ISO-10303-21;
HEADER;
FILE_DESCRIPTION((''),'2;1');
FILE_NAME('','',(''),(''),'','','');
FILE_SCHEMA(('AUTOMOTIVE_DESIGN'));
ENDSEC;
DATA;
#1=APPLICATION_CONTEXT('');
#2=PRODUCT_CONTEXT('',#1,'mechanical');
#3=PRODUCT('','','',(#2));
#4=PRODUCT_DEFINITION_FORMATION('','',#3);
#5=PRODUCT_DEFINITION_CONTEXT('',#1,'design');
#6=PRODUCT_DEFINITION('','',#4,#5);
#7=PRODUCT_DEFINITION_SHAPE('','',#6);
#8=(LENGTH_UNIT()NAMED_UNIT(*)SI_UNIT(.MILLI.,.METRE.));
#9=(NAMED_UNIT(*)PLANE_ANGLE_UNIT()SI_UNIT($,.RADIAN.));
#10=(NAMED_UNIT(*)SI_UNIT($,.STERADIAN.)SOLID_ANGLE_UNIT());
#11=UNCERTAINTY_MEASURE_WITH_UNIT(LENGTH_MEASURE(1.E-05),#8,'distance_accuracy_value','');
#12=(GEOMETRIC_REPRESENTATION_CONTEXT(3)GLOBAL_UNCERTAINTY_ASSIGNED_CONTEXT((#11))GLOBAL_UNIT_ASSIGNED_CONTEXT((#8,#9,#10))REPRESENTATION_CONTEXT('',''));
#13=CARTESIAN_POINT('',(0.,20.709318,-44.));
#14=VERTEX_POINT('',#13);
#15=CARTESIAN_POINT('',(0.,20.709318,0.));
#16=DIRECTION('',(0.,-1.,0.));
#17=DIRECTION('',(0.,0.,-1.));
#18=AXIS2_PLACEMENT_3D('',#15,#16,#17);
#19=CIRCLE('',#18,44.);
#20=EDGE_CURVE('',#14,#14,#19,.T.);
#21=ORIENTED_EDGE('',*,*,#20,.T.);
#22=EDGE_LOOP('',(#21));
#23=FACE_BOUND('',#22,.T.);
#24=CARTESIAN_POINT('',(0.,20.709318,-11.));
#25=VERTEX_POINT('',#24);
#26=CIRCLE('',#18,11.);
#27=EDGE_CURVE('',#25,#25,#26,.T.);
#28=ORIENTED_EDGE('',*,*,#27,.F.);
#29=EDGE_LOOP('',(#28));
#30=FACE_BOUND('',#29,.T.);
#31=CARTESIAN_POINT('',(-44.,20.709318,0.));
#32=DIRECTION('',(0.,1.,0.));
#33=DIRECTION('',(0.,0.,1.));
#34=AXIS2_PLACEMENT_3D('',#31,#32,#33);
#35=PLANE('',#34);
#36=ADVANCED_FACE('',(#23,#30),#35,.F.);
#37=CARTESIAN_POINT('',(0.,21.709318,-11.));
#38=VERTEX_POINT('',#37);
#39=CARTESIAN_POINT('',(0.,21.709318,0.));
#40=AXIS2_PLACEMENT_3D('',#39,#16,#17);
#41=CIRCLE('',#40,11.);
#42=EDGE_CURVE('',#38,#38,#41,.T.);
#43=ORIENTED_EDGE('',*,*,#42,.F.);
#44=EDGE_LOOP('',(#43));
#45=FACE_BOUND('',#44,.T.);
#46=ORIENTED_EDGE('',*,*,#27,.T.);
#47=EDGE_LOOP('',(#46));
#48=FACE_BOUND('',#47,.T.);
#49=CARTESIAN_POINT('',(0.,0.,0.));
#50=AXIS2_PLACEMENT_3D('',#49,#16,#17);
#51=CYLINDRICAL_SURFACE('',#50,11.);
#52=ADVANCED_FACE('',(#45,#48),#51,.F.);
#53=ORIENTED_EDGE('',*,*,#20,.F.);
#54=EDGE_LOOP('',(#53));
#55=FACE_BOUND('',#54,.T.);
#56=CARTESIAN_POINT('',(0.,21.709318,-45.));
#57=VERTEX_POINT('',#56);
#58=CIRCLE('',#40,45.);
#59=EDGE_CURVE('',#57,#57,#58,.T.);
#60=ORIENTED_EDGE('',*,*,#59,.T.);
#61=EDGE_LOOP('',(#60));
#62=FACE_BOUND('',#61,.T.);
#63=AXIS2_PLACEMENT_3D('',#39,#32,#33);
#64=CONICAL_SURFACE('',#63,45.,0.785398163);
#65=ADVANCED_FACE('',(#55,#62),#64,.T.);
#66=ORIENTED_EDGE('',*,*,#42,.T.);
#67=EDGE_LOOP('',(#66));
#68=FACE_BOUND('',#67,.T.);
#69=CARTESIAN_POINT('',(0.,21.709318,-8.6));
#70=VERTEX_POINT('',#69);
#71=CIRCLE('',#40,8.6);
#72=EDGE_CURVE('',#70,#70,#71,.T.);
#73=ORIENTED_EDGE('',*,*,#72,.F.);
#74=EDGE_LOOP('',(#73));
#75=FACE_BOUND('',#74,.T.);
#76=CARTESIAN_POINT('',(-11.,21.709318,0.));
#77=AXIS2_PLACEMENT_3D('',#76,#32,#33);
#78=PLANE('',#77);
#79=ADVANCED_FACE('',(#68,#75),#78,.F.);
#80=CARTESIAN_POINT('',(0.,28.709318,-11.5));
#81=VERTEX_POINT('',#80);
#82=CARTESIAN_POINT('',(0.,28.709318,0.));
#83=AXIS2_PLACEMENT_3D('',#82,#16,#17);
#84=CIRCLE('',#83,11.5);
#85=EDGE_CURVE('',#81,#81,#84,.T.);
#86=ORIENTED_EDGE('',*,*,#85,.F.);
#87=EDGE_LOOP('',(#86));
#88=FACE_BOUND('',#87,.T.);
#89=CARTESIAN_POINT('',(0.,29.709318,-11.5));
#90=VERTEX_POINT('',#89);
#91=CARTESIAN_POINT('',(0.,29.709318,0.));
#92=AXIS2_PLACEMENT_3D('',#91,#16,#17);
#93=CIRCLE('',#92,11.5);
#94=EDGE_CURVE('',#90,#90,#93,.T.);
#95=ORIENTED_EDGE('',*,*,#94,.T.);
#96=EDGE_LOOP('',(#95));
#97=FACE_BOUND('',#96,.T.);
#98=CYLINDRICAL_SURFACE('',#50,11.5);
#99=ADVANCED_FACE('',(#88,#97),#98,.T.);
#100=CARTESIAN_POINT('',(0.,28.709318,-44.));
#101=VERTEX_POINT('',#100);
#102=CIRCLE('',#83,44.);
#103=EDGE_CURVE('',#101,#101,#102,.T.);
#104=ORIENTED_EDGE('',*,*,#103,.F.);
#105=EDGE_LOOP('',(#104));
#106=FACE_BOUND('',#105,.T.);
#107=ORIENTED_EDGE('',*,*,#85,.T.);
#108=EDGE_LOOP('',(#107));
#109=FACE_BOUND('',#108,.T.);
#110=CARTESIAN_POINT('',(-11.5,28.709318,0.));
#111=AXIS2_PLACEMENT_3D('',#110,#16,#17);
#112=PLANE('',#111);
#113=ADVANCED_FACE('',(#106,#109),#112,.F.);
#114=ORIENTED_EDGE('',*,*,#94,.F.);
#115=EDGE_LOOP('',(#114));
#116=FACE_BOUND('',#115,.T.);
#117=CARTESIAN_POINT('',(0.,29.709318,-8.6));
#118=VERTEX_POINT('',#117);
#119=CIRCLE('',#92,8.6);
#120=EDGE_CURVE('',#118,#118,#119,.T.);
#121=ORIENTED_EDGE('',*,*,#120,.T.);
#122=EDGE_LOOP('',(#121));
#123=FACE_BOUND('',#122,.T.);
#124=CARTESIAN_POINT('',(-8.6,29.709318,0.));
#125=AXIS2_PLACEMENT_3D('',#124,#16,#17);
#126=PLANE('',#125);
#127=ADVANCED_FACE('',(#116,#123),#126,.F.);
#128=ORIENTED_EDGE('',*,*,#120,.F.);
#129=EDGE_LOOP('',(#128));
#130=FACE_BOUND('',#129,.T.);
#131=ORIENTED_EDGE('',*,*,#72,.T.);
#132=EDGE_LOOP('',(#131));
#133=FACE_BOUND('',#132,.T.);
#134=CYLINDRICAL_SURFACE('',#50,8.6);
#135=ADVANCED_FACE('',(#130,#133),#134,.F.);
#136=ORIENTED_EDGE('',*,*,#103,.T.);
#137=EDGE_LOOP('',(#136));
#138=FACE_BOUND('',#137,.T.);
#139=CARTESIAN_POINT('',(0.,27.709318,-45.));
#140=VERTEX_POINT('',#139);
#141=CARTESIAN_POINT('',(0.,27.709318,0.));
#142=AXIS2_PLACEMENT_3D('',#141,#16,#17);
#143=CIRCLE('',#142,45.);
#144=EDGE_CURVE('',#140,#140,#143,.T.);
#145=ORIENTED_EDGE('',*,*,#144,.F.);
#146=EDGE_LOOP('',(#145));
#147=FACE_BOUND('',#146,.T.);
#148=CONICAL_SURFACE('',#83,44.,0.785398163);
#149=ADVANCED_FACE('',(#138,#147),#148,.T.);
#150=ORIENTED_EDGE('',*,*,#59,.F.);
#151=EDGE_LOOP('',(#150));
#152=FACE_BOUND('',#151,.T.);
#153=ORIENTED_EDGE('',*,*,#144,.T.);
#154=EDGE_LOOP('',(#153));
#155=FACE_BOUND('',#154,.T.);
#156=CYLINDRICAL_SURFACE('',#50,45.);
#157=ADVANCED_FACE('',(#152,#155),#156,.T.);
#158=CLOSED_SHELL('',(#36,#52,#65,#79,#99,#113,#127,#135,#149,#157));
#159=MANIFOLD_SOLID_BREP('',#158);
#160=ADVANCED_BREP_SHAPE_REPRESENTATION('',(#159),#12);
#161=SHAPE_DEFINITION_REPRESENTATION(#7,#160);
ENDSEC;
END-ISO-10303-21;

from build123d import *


with BuildPart() as part:
    # Эскиз1 → Повернуть1 (revolve)
    with BuildSketch(Plane.XY, mode=Mode.PRIVATE) as revolve_1_sk:
        Polygon((-8.6, 29.709317511), (-11.5, 29.709317511), (-11.5, 28.709317511), (-44, 28.709317511), (-45, 27.709317511), (-45, 21.709317511), (-44, 20.709317511), (-11, 20.709317511), (-11, 21.709317511), (-8.6, 21.709317511), align=None)
    revolve(revolve_1_sk.sketch.rotate(Axis((0, 0, 0), (0, 1, 0)), 270), axis=Axis((0, 0, 0), (0, 1, 0)))


solid = part.part
